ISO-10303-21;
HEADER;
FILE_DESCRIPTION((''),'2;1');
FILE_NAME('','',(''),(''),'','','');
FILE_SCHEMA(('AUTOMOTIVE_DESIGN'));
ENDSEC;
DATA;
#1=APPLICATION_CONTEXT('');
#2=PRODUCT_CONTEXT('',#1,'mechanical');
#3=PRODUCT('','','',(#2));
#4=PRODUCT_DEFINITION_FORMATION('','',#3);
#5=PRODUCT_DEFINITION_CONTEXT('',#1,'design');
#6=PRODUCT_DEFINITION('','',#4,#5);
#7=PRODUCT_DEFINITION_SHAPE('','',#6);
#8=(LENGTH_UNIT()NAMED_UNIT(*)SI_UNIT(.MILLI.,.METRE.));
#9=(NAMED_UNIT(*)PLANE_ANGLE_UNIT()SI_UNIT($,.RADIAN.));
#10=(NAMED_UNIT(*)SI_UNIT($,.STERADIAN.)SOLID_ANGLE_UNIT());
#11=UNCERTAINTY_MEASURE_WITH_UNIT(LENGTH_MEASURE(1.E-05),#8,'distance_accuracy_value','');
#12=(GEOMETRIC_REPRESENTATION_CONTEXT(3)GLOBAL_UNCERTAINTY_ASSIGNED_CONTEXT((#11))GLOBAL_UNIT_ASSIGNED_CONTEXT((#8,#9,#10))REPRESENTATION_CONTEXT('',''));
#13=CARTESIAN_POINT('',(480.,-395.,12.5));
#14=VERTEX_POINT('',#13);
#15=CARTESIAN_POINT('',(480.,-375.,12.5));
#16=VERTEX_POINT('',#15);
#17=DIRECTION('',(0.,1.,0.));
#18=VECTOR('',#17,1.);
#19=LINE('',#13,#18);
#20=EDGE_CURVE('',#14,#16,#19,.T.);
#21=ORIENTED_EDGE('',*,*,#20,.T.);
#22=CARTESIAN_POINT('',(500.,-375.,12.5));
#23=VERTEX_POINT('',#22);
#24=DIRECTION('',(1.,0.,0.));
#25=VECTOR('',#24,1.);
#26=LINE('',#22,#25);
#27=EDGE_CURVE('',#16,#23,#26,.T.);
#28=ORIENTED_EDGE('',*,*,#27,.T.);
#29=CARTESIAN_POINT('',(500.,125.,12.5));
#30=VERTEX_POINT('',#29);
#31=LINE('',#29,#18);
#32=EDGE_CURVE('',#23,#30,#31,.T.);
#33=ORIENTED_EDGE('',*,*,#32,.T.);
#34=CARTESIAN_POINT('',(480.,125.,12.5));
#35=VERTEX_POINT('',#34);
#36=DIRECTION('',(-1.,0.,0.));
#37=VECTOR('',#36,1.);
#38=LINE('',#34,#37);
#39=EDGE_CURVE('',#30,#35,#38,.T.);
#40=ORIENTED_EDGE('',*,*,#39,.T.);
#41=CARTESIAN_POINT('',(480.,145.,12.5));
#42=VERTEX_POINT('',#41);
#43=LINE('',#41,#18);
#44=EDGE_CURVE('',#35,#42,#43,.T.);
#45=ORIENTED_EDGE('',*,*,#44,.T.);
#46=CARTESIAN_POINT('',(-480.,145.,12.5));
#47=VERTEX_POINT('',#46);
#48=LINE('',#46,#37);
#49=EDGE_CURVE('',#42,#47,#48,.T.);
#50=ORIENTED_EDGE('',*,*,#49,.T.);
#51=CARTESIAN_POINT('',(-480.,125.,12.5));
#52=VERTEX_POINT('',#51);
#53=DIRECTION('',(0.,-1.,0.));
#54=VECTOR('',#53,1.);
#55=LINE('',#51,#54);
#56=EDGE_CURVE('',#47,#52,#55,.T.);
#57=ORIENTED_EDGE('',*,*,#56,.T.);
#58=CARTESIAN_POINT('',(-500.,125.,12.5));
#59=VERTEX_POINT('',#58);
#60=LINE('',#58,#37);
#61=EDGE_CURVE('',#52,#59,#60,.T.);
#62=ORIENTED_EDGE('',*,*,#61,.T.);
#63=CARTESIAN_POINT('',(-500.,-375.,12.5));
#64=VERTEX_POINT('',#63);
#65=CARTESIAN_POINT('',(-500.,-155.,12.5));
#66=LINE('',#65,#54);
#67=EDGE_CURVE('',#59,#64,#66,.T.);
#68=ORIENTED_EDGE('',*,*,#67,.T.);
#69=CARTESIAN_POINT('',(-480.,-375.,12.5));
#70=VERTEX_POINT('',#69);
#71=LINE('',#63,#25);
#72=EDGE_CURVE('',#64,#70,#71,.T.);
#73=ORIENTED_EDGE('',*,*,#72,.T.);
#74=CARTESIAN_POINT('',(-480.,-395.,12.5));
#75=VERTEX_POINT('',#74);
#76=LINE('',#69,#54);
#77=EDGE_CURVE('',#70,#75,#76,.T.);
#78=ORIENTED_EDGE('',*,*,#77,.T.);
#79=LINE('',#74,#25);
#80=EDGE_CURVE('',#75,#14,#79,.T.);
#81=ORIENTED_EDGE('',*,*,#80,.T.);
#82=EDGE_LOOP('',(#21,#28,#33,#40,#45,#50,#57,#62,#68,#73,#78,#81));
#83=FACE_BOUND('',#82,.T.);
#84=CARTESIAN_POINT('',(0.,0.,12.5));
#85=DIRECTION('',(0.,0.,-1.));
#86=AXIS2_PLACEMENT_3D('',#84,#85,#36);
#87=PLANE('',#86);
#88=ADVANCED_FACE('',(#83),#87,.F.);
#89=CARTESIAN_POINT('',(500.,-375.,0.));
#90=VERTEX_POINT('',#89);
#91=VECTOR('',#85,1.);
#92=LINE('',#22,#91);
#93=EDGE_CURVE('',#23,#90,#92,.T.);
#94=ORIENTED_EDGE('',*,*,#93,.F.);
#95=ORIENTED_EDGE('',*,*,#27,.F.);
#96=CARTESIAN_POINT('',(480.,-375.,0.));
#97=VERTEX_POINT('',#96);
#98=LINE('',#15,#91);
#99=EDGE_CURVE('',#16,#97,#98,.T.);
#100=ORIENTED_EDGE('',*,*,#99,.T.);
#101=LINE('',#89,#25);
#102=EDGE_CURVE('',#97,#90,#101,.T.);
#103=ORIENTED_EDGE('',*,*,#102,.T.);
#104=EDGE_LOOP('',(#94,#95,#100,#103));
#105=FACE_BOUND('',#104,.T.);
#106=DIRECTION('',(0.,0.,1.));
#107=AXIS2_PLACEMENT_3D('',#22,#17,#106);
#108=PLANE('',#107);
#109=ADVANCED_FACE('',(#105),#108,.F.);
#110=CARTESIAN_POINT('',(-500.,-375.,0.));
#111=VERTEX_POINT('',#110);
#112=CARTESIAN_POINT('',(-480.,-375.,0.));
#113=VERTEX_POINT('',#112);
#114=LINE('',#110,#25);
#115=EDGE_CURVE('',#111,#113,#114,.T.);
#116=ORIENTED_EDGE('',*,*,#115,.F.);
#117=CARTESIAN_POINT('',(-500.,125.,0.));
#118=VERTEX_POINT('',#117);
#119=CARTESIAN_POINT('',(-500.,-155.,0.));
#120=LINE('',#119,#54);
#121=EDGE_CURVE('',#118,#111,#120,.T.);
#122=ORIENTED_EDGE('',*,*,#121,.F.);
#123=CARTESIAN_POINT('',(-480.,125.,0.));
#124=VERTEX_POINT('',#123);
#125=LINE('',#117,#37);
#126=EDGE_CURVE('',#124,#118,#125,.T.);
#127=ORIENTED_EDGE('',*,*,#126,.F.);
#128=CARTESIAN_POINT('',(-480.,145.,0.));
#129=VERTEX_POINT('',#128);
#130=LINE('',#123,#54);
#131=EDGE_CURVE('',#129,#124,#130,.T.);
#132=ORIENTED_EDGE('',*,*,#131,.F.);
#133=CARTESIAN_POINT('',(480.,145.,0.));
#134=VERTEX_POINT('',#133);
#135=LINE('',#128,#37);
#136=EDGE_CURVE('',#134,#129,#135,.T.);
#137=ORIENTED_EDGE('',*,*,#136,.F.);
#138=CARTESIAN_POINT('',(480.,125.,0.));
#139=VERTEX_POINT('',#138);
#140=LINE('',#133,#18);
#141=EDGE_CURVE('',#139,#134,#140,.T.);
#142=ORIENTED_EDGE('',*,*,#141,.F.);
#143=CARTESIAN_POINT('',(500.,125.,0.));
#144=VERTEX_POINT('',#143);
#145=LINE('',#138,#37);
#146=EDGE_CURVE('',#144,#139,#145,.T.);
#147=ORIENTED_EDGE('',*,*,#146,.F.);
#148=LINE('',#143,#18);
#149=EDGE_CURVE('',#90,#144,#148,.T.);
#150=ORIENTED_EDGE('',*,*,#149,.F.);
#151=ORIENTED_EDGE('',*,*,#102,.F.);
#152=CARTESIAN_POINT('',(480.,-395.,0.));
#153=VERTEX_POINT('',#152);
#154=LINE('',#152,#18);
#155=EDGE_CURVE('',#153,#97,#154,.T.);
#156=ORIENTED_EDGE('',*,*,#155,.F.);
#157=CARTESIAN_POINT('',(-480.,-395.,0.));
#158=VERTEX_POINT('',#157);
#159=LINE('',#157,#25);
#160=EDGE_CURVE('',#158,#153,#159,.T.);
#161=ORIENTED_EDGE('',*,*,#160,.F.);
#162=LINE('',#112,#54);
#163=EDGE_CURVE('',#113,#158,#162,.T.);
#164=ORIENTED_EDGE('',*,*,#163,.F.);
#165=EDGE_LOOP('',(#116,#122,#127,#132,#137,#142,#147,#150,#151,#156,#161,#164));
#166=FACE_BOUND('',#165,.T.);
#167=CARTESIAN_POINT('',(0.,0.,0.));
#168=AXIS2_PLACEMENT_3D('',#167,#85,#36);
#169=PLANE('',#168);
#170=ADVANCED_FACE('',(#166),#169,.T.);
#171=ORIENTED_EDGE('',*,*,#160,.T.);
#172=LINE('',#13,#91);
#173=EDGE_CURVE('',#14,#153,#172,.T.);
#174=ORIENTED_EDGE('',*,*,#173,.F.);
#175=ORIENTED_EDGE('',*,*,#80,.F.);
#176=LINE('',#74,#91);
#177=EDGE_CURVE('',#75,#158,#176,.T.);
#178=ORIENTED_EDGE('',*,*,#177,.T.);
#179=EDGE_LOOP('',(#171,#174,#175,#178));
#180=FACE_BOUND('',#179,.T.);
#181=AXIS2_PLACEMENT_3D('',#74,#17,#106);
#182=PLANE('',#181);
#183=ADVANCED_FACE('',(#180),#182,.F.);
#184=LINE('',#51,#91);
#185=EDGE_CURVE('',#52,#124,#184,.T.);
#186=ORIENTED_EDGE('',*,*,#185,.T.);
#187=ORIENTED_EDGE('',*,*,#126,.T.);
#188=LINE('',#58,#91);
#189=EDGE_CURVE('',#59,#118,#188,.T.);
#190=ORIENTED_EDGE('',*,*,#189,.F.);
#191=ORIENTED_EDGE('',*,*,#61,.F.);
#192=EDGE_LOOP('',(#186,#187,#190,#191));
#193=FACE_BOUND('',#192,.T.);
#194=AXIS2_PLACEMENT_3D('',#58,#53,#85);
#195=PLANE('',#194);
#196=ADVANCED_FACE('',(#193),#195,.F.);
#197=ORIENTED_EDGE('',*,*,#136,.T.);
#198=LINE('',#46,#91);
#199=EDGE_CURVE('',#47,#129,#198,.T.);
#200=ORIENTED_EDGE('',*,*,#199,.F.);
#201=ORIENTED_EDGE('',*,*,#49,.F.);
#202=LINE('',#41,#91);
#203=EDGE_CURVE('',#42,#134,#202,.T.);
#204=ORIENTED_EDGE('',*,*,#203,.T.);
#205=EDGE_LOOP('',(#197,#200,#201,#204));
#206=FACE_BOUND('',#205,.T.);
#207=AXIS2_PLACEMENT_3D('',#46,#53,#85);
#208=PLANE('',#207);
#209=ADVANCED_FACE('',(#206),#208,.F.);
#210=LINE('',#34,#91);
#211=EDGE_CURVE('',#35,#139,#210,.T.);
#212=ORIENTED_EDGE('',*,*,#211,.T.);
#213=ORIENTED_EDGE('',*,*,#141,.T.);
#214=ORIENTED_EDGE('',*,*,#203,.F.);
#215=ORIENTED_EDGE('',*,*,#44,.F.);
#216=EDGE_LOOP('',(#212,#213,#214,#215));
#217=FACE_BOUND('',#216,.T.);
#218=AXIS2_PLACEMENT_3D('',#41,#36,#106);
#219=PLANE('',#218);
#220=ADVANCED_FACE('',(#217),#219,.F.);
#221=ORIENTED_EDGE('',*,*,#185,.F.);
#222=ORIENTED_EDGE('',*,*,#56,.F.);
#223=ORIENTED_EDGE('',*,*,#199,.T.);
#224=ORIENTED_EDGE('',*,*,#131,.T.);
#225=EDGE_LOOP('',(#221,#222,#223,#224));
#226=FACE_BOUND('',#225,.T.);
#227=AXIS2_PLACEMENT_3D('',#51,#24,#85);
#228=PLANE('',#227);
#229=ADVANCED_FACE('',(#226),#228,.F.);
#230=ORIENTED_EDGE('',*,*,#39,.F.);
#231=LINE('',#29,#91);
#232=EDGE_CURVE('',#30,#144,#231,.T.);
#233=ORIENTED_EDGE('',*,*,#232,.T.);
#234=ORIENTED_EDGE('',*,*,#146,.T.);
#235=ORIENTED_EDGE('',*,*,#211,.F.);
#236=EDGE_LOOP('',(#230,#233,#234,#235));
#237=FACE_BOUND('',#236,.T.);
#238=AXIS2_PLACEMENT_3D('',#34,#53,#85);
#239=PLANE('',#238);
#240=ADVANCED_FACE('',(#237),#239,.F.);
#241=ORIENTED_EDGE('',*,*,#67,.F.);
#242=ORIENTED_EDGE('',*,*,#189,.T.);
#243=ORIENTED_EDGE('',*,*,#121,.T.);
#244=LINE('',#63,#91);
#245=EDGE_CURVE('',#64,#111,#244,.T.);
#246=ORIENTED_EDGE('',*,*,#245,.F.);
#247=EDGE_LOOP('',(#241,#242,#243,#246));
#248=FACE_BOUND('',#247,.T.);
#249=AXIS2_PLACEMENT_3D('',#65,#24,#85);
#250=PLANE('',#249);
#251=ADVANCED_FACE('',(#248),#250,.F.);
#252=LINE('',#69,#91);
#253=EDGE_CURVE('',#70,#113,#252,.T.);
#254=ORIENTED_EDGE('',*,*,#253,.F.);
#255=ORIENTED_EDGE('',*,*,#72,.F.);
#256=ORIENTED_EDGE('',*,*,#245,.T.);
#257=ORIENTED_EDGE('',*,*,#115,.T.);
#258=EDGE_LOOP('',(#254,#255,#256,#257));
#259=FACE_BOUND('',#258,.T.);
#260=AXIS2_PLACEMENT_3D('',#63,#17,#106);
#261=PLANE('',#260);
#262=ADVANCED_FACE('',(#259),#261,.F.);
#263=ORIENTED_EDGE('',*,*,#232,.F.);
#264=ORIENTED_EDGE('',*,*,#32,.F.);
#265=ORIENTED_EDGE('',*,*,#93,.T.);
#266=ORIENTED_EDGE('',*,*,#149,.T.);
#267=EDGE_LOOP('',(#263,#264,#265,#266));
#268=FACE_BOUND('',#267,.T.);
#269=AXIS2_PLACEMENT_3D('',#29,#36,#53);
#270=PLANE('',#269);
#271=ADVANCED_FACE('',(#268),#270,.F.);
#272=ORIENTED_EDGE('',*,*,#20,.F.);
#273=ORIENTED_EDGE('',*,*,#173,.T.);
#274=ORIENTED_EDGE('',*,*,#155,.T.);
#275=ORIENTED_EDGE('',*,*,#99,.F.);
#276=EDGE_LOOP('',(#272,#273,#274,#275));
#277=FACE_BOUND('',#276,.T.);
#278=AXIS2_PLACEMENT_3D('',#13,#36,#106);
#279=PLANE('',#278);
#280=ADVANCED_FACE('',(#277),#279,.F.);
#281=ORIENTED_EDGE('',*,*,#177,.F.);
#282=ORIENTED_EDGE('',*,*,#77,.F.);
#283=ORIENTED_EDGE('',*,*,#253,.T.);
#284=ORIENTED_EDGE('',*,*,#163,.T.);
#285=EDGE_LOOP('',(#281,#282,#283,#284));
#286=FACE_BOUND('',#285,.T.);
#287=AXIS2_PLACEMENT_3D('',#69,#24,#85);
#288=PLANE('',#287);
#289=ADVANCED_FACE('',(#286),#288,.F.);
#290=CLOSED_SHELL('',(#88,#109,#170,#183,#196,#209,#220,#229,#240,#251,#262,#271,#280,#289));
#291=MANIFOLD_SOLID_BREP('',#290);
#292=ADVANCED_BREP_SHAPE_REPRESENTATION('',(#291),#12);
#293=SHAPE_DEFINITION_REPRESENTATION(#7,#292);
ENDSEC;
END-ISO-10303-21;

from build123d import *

# Parameters (mm, degrees)
BOSS_EXTRUDE1_DEPTH = 12.5


with BuildPart() as part:
    # Sketch1 → Boss-Extrude1 (new body)
    with BuildSketch(Plane.XY):
        Polygon((-500, 125), (-480, 125), (-480, 145), (480, 145), (480, 125), (500, 125), (500, -375), (480, -375), (480, -395), (-480, -395), (-480, -375), (-500, -375), (-500, -155), align=None)
    extrude(amount=BOSS_EXTRUDE1_DEPTH)


solid = part.part
